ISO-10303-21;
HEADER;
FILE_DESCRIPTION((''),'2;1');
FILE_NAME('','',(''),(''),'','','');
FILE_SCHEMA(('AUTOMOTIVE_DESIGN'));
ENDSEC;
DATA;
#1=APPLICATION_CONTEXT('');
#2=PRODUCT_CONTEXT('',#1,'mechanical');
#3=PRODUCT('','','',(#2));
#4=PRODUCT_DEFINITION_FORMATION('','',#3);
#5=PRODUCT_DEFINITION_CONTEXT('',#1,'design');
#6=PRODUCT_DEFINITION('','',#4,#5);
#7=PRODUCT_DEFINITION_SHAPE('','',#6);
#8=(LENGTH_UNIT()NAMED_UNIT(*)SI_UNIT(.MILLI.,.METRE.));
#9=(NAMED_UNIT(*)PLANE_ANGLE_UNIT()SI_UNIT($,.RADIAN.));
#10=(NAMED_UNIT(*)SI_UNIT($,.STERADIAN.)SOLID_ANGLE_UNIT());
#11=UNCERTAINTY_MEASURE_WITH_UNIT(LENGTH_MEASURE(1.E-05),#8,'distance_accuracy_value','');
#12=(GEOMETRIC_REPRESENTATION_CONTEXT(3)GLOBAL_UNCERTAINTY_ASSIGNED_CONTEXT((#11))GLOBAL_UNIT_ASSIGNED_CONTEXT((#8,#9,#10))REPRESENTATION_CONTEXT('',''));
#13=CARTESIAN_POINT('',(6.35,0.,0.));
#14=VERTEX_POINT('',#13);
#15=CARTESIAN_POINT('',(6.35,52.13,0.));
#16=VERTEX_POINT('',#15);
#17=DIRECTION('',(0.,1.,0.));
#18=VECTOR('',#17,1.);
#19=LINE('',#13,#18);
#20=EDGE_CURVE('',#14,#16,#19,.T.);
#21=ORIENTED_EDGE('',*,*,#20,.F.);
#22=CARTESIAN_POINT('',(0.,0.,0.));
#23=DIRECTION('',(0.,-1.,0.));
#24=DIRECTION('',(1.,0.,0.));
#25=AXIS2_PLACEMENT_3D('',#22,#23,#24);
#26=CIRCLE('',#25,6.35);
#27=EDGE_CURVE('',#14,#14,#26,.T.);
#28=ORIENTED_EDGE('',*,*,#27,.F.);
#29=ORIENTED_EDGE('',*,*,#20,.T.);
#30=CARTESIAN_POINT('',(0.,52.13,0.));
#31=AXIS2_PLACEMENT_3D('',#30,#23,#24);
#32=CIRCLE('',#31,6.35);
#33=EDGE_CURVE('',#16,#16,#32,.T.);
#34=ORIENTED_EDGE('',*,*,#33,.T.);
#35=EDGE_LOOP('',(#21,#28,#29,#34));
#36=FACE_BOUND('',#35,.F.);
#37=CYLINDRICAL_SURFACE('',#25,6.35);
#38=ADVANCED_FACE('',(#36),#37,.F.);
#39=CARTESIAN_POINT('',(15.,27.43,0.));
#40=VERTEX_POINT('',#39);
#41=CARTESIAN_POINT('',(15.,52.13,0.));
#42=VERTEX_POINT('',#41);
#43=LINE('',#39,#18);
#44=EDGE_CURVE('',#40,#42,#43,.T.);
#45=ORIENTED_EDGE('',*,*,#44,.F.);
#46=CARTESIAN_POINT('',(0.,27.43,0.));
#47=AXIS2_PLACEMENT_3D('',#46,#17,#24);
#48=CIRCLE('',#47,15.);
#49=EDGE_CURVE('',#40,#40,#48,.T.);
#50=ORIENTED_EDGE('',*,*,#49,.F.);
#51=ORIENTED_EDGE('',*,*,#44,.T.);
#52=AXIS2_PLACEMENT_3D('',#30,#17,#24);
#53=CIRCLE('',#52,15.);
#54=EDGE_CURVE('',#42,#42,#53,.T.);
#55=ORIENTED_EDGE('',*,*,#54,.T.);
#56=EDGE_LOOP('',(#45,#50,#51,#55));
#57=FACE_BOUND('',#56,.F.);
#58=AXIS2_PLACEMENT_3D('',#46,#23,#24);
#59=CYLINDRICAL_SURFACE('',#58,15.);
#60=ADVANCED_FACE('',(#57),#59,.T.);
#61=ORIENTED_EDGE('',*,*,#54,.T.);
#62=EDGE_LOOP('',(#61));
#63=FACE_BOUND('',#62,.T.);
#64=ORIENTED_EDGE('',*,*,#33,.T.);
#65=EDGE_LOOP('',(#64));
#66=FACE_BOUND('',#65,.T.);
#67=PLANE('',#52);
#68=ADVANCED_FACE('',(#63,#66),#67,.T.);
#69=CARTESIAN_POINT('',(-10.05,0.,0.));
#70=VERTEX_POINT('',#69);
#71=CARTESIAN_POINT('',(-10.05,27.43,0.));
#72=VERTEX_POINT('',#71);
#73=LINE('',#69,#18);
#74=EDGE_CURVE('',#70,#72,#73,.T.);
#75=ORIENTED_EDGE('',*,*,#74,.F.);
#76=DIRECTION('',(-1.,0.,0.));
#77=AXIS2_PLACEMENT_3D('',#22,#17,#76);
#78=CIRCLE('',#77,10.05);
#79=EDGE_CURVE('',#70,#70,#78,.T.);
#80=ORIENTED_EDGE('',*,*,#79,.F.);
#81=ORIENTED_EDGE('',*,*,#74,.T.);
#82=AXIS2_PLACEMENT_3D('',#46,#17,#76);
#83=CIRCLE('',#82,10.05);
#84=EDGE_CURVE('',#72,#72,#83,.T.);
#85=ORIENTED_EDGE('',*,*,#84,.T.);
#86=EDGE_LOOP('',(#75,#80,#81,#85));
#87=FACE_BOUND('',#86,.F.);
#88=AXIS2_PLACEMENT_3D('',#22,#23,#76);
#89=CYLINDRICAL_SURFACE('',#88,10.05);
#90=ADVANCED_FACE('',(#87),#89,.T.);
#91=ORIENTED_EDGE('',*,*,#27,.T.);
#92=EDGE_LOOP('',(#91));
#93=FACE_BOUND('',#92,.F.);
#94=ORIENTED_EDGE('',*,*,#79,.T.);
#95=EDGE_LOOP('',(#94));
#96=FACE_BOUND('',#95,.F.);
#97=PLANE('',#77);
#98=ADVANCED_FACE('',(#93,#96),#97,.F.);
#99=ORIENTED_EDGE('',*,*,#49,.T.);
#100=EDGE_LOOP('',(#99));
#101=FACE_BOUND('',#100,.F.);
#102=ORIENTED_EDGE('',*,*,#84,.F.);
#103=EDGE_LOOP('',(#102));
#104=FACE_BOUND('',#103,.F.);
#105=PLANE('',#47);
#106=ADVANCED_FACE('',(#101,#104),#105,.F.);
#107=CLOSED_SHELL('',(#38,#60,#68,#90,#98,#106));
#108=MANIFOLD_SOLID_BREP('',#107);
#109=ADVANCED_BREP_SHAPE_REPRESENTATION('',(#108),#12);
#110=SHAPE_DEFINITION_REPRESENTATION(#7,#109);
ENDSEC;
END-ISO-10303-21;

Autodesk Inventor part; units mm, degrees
ref_plane "YZ Plane" through (0, 0, 0) normal (1, 0, 0) x (0, 1, 0)
ref_plane "XZ Plane" through (0, 0, 0) normal (0, 1, 0) x (-1, 0, 0)
ref_plane "XY Plane" through (0, 0, 0) normal (0, 0, 1) x (1, 0, 0)
sketch "Sketch1" plane through (0, 0, 0) normal (0, 1, 0) x (-1, 0, 0)
  circle A0 centre (0, 0) radius 10.05
  dimension "d0" = 20.1
extrude "Extrusion1" add sketch "Sketch1" along normal blind 27.43
sketch "Sketch2" plane through (0, 27.43, 0) normal (0, 1, 0) x (1, 0, 0)
  circle A0 centre (0, 0) radius 15
  dimension "d3" = 30
extrude "Extrusion2" add sketch "Sketch2" along normal blind 24.7
thread "Thread1" size "M22x3" class "6g" standard "ANSI Metric M Profile" full length
sketch "Sketch3" plane through (0, 0, 0) normal (0, -1, 0) x (1, 0, 0)
  circle A0 centre (0, 0) radius 6.35
  dimension "d8" = 12.7
extrude "Extrusion3" cut sketch "Sketch3" against normal blind 53
properties part number "AdaptadorMacho"
